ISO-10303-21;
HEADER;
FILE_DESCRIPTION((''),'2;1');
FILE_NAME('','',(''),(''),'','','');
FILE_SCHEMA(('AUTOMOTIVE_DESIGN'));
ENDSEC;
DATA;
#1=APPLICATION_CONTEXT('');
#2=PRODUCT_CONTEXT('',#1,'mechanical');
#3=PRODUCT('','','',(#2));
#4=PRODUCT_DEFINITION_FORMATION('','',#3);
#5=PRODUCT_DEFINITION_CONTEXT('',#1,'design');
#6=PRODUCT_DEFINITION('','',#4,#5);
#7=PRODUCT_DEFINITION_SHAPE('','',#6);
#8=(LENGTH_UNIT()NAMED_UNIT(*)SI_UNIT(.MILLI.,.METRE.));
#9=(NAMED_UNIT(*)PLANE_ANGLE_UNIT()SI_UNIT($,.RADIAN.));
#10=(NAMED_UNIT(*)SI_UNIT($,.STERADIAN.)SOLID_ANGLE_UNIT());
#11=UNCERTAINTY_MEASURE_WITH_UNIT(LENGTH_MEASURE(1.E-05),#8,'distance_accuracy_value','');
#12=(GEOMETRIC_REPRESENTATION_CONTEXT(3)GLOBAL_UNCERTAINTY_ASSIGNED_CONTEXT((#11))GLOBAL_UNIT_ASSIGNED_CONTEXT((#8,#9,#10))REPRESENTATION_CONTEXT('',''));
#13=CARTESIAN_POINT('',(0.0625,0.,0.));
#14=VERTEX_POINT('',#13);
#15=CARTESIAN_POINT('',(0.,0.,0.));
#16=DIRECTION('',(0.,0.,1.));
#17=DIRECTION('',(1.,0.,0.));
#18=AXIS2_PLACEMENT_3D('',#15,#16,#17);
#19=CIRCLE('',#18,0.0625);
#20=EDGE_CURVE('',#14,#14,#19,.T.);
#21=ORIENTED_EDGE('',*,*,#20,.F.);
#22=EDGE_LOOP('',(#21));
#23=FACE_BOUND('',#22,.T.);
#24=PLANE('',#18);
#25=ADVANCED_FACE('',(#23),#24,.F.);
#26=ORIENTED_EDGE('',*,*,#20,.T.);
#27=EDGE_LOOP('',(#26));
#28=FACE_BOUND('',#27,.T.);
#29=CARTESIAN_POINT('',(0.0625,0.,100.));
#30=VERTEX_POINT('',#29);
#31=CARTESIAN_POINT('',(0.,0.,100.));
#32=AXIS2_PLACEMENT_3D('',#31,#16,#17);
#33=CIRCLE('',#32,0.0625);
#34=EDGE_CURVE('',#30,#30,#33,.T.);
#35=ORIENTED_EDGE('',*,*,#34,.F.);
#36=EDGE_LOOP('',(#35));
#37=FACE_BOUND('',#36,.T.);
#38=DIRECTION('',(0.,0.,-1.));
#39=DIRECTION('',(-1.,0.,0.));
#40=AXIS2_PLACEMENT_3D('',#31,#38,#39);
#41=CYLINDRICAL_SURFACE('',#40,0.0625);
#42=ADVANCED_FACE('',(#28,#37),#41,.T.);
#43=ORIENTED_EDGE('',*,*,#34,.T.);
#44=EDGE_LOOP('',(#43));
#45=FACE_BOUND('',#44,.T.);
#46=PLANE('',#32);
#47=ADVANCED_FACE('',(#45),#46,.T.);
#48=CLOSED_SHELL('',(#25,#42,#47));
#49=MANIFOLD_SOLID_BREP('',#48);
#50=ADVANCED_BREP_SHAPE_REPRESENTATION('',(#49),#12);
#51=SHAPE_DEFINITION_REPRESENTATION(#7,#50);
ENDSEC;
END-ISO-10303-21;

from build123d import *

# Parameters (mm, degrees)
SKETCH1_R           = 0.0625
BOSS_EXTRUDE1_DEPTH = 100


with BuildPart() as part:
    # Sketch1 → Boss-Extrude1 (new body)
    with BuildSketch(Plane.XY):
        Circle(SKETCH1_R)
    extrude(amount=BOSS_EXTRUDE1_DEPTH)


solid = part.part
